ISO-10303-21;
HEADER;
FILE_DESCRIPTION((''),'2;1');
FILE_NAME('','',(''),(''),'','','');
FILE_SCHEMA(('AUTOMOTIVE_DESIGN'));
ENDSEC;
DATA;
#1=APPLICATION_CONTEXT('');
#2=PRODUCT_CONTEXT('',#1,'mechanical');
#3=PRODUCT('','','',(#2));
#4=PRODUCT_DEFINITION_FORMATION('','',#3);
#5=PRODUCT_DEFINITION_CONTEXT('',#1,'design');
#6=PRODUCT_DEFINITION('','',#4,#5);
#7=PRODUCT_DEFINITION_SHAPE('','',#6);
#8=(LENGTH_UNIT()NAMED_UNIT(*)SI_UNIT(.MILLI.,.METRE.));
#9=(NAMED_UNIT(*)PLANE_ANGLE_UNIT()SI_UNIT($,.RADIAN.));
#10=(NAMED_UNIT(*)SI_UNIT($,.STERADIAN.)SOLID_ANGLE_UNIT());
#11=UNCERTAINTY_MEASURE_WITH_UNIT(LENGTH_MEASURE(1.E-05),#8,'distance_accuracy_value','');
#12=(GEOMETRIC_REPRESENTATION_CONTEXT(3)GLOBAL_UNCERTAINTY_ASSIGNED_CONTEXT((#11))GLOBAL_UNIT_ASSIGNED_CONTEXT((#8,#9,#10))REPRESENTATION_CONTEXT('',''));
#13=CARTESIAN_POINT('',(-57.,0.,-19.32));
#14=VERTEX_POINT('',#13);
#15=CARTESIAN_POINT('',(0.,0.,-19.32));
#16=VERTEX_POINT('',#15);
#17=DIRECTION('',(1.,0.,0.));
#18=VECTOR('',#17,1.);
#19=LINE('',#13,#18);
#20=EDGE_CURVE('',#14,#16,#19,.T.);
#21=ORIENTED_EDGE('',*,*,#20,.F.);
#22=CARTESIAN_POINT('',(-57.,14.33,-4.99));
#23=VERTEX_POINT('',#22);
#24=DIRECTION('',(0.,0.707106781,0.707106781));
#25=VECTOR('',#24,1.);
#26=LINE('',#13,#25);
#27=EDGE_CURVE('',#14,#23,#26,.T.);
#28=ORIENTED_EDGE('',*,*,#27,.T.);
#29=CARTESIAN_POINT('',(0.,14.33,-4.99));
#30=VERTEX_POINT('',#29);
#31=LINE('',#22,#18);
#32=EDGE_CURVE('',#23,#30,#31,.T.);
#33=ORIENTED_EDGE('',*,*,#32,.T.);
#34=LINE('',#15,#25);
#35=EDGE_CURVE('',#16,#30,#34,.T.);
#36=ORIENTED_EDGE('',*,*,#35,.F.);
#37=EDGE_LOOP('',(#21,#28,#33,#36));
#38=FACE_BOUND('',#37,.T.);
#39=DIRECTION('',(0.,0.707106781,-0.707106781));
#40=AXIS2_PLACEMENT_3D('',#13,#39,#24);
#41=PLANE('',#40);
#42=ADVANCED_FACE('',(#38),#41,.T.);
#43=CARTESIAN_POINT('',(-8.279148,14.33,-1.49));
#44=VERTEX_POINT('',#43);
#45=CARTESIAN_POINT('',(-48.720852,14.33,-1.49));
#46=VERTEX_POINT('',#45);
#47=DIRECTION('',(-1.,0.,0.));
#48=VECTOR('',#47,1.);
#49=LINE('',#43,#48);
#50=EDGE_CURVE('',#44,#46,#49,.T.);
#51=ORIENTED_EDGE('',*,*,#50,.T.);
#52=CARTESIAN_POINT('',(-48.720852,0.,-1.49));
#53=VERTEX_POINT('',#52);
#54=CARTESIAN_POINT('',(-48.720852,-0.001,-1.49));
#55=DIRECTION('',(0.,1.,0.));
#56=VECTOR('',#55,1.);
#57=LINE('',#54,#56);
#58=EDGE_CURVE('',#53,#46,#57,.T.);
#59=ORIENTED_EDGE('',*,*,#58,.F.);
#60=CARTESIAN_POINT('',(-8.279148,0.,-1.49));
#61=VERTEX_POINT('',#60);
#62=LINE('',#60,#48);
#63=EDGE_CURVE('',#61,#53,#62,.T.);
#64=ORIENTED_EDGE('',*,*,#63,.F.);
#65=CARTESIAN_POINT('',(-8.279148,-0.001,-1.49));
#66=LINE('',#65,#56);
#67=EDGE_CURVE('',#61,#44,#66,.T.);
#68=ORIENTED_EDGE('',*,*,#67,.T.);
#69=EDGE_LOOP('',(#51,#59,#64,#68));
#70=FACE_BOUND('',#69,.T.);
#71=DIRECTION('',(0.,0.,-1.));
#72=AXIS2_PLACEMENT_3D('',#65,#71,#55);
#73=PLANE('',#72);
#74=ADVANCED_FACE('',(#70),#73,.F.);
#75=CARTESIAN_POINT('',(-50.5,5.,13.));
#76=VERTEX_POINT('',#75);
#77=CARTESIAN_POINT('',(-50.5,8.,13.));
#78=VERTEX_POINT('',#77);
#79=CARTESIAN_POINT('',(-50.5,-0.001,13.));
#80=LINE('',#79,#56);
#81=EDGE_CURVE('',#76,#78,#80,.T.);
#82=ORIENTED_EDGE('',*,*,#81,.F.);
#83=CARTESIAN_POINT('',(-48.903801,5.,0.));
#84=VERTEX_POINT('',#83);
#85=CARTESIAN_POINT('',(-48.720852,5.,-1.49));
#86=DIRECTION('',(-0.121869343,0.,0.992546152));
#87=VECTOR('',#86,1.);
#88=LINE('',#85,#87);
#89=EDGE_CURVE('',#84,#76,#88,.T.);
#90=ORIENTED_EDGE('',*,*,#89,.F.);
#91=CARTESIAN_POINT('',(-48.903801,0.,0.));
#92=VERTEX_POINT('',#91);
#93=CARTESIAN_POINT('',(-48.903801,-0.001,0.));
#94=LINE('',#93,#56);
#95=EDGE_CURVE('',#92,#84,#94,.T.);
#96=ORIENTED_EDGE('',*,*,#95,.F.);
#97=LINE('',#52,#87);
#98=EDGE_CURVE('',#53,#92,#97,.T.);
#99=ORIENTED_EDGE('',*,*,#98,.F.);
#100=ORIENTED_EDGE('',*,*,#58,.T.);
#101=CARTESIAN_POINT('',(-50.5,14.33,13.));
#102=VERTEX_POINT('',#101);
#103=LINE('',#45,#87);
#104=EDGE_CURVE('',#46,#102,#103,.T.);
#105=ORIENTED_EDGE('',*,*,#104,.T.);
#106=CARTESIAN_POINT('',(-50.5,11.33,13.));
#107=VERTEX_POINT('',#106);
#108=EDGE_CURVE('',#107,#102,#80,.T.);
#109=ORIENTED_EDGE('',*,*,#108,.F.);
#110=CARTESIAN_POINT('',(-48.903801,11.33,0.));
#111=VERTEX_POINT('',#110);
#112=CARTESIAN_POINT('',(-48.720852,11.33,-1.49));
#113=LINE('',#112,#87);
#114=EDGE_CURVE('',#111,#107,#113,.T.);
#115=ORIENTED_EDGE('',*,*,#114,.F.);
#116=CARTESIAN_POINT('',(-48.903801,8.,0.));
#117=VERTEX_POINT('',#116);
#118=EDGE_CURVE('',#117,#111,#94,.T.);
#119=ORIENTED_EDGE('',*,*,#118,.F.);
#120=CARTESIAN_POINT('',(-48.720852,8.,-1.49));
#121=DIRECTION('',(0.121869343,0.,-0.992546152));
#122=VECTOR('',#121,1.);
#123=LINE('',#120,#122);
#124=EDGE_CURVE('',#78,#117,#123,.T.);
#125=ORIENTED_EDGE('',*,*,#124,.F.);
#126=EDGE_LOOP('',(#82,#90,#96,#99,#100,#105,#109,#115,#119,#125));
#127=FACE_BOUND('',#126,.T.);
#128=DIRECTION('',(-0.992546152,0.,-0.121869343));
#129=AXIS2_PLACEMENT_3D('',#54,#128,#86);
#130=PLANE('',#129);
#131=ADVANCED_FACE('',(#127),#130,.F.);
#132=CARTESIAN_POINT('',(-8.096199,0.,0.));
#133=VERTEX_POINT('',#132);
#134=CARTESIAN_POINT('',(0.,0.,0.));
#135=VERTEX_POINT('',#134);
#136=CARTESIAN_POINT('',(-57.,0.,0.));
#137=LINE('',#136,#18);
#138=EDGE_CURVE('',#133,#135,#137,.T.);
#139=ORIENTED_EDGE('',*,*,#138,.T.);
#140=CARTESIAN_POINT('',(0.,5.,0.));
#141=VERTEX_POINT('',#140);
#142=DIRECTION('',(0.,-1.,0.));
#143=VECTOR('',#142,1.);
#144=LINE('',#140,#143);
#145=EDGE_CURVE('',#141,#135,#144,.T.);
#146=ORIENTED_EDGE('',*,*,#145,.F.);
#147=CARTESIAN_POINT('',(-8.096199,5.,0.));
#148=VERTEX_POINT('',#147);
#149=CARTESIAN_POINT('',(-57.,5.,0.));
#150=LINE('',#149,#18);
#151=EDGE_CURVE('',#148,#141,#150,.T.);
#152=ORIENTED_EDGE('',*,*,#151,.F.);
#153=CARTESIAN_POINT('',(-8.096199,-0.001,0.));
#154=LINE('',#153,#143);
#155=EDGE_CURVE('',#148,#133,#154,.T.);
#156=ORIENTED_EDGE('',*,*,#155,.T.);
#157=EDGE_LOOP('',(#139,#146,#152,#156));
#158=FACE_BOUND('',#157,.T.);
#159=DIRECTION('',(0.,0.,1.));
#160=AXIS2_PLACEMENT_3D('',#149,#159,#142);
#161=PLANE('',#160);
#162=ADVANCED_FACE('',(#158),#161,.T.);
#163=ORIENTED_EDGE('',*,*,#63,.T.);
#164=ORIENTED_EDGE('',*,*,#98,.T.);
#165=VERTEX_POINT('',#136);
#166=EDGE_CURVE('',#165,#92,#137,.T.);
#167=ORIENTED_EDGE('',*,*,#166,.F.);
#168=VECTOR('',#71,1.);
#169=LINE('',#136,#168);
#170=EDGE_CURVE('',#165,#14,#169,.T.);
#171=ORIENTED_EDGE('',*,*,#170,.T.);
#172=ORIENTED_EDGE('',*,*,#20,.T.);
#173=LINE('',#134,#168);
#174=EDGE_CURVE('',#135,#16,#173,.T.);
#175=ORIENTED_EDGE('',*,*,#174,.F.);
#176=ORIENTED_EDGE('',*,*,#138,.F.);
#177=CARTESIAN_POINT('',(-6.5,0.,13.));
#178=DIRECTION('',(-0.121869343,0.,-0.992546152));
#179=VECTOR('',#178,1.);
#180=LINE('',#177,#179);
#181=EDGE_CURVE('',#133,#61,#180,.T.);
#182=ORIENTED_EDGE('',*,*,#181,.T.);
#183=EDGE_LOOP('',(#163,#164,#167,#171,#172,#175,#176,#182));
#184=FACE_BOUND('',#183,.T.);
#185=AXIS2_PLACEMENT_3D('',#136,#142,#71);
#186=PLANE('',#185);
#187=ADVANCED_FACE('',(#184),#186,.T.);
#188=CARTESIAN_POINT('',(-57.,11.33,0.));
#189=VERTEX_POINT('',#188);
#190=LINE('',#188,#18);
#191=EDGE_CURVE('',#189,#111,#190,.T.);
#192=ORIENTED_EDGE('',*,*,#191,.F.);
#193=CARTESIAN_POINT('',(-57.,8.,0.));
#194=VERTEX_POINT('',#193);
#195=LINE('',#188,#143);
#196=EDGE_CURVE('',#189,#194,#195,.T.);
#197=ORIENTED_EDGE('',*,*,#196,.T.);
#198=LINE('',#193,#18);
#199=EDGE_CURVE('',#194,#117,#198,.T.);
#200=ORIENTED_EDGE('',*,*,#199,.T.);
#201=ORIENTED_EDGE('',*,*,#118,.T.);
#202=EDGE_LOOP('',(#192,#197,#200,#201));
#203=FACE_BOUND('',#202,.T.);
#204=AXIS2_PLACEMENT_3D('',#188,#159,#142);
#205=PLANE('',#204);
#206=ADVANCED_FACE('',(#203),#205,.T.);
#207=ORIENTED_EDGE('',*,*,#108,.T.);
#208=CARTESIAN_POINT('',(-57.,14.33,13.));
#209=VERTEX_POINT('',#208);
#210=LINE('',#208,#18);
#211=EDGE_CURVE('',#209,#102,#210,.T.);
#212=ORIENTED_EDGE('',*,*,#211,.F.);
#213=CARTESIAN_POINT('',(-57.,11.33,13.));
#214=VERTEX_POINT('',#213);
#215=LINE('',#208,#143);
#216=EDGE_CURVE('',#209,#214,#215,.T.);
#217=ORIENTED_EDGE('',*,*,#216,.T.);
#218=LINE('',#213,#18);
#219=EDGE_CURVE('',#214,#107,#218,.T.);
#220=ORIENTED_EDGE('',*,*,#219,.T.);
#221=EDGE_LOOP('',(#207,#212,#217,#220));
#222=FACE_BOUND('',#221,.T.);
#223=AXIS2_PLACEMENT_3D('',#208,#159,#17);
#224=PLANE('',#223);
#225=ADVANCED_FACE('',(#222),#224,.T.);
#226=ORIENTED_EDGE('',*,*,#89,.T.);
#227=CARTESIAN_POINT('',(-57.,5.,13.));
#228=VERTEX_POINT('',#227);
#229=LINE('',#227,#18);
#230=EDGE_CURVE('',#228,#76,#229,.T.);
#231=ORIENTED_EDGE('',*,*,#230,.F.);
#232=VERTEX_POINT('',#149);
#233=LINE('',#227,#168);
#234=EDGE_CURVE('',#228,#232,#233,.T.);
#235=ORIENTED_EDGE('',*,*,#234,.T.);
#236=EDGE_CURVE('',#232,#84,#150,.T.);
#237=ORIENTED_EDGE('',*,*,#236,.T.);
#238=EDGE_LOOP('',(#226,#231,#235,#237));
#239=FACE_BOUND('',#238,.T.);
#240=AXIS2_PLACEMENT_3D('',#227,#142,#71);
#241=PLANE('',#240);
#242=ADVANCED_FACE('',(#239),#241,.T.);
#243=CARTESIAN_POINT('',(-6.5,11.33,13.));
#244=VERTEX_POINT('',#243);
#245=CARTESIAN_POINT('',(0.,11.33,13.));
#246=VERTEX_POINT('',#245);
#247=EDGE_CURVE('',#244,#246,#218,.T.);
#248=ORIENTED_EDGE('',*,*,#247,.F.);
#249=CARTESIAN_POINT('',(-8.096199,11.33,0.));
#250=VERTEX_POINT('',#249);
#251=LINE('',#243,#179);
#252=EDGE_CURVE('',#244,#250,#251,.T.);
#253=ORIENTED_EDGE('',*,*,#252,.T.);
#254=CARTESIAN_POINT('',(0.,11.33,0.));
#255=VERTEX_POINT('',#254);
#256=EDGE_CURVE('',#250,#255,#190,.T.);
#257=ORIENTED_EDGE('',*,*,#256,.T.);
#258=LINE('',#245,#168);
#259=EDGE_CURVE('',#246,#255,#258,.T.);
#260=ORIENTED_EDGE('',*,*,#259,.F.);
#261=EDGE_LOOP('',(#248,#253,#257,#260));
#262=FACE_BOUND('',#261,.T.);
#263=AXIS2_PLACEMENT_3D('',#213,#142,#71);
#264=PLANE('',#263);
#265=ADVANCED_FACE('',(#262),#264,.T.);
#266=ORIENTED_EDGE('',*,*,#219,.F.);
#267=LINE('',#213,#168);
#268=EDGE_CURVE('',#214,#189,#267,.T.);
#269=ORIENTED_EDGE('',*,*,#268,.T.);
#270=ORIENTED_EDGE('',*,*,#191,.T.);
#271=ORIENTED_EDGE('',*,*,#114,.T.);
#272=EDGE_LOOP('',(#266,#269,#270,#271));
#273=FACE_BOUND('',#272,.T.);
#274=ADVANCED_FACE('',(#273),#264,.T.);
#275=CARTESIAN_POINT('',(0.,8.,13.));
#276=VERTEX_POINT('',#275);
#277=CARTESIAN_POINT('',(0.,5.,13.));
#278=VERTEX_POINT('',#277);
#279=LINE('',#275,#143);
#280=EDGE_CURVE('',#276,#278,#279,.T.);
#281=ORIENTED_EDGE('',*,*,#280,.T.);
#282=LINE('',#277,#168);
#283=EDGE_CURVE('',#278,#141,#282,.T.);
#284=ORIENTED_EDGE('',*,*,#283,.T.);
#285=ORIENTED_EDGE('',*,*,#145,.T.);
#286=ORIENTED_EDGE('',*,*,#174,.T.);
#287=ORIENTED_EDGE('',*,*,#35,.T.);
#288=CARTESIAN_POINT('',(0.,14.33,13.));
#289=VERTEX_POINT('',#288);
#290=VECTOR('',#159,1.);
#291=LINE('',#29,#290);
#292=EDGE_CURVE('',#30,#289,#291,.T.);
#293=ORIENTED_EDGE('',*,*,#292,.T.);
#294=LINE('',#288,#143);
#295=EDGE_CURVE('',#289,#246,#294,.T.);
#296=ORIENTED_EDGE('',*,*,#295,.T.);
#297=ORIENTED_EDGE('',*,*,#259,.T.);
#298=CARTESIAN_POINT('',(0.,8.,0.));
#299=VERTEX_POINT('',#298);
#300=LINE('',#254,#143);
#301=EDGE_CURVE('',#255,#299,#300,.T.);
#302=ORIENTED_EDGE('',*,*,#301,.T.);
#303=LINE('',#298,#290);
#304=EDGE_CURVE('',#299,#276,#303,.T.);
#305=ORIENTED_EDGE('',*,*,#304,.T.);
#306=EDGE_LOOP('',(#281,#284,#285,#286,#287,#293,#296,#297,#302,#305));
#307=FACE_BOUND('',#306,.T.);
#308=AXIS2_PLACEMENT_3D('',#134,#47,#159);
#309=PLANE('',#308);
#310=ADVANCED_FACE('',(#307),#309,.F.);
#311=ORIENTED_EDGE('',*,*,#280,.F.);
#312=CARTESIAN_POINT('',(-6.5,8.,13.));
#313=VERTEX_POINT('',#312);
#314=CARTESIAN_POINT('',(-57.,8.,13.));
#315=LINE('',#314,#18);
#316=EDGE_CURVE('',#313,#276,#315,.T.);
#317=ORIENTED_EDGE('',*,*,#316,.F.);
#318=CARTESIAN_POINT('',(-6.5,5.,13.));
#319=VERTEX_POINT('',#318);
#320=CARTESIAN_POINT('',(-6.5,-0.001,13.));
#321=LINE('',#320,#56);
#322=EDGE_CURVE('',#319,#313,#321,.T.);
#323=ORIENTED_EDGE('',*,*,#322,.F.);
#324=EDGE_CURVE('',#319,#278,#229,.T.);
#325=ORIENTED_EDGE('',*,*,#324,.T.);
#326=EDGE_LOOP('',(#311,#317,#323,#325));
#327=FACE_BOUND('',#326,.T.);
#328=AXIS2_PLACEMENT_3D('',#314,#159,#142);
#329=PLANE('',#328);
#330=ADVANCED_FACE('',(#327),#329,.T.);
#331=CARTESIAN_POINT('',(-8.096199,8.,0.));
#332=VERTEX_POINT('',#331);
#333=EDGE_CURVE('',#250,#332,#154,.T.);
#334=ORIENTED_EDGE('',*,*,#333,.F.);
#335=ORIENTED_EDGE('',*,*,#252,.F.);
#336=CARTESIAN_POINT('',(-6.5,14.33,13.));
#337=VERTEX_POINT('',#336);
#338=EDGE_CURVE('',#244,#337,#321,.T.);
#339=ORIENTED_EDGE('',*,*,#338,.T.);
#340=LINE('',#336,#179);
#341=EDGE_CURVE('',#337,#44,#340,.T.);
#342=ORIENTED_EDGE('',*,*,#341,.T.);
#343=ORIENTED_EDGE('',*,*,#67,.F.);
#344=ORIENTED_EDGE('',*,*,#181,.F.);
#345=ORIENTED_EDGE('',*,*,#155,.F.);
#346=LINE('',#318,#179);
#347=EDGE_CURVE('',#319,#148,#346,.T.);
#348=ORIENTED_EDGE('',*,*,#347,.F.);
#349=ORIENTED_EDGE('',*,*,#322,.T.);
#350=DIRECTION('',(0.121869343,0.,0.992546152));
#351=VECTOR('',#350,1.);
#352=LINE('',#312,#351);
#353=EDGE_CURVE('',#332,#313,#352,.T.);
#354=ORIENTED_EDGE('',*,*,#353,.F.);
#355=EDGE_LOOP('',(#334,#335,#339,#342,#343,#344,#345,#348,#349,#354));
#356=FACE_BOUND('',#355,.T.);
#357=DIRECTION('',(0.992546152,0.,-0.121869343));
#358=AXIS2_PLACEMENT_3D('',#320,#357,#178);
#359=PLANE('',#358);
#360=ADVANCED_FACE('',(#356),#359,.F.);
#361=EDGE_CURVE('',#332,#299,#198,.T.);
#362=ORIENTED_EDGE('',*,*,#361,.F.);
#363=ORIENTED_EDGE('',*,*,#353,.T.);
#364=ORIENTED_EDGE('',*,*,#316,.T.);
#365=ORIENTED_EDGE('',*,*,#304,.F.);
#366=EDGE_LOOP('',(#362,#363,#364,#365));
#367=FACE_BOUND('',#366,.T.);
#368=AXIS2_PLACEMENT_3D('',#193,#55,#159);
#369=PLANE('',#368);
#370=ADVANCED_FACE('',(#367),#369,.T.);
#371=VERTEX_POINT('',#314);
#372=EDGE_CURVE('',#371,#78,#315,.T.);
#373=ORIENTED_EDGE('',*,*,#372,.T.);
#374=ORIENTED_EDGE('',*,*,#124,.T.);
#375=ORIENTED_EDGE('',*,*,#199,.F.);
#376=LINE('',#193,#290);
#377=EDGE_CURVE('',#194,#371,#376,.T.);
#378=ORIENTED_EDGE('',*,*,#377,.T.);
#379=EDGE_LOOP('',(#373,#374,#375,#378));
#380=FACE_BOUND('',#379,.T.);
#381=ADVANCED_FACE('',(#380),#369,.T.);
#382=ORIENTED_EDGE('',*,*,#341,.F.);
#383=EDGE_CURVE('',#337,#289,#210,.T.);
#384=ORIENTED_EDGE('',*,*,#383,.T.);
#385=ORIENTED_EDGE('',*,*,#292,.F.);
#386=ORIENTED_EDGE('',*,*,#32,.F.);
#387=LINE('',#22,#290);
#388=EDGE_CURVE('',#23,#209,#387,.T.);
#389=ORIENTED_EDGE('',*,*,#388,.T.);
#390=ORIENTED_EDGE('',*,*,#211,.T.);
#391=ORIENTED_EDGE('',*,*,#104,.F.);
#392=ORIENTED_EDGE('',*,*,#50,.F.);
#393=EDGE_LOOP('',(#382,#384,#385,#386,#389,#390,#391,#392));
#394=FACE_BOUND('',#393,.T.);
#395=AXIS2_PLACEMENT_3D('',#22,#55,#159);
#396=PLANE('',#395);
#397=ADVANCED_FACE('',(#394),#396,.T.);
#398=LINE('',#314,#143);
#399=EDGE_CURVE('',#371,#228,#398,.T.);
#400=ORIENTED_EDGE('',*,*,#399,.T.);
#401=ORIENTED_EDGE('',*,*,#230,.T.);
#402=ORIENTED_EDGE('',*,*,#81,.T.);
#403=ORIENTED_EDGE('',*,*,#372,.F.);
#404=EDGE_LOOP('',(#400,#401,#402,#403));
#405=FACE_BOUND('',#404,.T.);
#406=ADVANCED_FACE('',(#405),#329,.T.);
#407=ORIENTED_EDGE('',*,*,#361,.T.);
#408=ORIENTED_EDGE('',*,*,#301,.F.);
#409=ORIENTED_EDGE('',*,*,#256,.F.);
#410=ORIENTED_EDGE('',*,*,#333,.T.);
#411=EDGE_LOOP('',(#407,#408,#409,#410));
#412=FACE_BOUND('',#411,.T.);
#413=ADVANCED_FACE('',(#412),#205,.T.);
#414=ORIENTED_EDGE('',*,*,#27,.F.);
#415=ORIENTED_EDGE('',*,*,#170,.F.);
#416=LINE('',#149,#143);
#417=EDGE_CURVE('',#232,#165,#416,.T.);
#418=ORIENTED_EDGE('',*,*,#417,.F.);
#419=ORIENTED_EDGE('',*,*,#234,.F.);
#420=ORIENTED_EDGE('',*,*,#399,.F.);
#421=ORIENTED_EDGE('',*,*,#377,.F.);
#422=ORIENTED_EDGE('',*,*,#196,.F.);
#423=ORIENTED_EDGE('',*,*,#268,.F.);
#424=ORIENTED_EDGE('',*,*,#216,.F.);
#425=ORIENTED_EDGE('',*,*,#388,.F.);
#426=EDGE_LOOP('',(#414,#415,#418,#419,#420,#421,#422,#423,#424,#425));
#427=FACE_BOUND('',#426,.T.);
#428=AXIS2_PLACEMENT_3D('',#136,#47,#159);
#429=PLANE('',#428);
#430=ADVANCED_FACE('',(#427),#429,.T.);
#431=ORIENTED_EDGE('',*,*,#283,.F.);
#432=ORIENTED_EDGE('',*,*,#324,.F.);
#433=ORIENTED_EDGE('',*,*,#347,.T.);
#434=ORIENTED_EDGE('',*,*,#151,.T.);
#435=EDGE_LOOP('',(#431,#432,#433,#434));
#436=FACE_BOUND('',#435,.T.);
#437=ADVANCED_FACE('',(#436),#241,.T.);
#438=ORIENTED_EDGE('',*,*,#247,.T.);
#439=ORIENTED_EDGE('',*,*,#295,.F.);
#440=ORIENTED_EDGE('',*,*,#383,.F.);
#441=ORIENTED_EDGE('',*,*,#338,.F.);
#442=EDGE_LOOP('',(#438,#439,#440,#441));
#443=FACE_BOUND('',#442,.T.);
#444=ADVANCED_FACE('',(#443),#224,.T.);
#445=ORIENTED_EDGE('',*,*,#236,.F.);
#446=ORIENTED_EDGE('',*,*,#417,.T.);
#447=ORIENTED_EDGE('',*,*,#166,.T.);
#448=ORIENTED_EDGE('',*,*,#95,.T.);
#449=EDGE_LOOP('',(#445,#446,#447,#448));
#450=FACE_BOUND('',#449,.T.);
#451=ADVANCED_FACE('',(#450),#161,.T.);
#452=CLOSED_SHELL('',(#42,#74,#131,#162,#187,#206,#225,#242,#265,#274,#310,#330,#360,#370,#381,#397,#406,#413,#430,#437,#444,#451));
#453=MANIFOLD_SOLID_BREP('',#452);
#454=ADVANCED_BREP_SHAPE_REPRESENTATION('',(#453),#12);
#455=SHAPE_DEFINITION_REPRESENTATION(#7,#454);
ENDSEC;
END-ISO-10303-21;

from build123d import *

# Parameters (mm, degrees)
BOSS_EXTRUDE1_DEPTH = 57
CUT_EXTRUDE1_REACH  = 63.868


with BuildPart() as part:
    # Sketch1 → Boss-Extrude1 (new body)
    with BuildSketch(Plane(origin=(0, 0, 0), x_dir=(0, 0, -1), z_dir=(1, 0, 0))):
        Polygon((0, 0), (19.32, 0), (4.99, 14.33), (-13, 14.33), (-13, 11.33), (0, 11.33), (0, 8), (-13, 8), (-13, 5), (0, 5), align=None)
    extrude(amount=-BOSS_EXTRUDE1_DEPTH)

    # Sketch2 → Cut-Extrude1 (cut, up to next)
    with BuildSketch(Plane(origin=(0, 14.33, 0), x_dir=(1, 0, 0), z_dir=(0, 1, 0)), mode=Mode.PRIVATE) as cut_extrude1_sk1:
        Polygon((-6.5, -13), (-8.279148287, 1.49), (-48.720851713, 1.49), (-50.5, -13), align=None)
    cut_extrude1_tool1 = extrude(cut_extrude1_sk1.sketch, amount=-CUT_EXTRUDE1_REACH, mode=Mode.PRIVATE) & part.part
    add(cut_extrude1_tool1.solids().sort_by_distance((-28.5, 14.33, 5.856766))[0], mode=Mode.SUBTRACT)


solid = part.part
